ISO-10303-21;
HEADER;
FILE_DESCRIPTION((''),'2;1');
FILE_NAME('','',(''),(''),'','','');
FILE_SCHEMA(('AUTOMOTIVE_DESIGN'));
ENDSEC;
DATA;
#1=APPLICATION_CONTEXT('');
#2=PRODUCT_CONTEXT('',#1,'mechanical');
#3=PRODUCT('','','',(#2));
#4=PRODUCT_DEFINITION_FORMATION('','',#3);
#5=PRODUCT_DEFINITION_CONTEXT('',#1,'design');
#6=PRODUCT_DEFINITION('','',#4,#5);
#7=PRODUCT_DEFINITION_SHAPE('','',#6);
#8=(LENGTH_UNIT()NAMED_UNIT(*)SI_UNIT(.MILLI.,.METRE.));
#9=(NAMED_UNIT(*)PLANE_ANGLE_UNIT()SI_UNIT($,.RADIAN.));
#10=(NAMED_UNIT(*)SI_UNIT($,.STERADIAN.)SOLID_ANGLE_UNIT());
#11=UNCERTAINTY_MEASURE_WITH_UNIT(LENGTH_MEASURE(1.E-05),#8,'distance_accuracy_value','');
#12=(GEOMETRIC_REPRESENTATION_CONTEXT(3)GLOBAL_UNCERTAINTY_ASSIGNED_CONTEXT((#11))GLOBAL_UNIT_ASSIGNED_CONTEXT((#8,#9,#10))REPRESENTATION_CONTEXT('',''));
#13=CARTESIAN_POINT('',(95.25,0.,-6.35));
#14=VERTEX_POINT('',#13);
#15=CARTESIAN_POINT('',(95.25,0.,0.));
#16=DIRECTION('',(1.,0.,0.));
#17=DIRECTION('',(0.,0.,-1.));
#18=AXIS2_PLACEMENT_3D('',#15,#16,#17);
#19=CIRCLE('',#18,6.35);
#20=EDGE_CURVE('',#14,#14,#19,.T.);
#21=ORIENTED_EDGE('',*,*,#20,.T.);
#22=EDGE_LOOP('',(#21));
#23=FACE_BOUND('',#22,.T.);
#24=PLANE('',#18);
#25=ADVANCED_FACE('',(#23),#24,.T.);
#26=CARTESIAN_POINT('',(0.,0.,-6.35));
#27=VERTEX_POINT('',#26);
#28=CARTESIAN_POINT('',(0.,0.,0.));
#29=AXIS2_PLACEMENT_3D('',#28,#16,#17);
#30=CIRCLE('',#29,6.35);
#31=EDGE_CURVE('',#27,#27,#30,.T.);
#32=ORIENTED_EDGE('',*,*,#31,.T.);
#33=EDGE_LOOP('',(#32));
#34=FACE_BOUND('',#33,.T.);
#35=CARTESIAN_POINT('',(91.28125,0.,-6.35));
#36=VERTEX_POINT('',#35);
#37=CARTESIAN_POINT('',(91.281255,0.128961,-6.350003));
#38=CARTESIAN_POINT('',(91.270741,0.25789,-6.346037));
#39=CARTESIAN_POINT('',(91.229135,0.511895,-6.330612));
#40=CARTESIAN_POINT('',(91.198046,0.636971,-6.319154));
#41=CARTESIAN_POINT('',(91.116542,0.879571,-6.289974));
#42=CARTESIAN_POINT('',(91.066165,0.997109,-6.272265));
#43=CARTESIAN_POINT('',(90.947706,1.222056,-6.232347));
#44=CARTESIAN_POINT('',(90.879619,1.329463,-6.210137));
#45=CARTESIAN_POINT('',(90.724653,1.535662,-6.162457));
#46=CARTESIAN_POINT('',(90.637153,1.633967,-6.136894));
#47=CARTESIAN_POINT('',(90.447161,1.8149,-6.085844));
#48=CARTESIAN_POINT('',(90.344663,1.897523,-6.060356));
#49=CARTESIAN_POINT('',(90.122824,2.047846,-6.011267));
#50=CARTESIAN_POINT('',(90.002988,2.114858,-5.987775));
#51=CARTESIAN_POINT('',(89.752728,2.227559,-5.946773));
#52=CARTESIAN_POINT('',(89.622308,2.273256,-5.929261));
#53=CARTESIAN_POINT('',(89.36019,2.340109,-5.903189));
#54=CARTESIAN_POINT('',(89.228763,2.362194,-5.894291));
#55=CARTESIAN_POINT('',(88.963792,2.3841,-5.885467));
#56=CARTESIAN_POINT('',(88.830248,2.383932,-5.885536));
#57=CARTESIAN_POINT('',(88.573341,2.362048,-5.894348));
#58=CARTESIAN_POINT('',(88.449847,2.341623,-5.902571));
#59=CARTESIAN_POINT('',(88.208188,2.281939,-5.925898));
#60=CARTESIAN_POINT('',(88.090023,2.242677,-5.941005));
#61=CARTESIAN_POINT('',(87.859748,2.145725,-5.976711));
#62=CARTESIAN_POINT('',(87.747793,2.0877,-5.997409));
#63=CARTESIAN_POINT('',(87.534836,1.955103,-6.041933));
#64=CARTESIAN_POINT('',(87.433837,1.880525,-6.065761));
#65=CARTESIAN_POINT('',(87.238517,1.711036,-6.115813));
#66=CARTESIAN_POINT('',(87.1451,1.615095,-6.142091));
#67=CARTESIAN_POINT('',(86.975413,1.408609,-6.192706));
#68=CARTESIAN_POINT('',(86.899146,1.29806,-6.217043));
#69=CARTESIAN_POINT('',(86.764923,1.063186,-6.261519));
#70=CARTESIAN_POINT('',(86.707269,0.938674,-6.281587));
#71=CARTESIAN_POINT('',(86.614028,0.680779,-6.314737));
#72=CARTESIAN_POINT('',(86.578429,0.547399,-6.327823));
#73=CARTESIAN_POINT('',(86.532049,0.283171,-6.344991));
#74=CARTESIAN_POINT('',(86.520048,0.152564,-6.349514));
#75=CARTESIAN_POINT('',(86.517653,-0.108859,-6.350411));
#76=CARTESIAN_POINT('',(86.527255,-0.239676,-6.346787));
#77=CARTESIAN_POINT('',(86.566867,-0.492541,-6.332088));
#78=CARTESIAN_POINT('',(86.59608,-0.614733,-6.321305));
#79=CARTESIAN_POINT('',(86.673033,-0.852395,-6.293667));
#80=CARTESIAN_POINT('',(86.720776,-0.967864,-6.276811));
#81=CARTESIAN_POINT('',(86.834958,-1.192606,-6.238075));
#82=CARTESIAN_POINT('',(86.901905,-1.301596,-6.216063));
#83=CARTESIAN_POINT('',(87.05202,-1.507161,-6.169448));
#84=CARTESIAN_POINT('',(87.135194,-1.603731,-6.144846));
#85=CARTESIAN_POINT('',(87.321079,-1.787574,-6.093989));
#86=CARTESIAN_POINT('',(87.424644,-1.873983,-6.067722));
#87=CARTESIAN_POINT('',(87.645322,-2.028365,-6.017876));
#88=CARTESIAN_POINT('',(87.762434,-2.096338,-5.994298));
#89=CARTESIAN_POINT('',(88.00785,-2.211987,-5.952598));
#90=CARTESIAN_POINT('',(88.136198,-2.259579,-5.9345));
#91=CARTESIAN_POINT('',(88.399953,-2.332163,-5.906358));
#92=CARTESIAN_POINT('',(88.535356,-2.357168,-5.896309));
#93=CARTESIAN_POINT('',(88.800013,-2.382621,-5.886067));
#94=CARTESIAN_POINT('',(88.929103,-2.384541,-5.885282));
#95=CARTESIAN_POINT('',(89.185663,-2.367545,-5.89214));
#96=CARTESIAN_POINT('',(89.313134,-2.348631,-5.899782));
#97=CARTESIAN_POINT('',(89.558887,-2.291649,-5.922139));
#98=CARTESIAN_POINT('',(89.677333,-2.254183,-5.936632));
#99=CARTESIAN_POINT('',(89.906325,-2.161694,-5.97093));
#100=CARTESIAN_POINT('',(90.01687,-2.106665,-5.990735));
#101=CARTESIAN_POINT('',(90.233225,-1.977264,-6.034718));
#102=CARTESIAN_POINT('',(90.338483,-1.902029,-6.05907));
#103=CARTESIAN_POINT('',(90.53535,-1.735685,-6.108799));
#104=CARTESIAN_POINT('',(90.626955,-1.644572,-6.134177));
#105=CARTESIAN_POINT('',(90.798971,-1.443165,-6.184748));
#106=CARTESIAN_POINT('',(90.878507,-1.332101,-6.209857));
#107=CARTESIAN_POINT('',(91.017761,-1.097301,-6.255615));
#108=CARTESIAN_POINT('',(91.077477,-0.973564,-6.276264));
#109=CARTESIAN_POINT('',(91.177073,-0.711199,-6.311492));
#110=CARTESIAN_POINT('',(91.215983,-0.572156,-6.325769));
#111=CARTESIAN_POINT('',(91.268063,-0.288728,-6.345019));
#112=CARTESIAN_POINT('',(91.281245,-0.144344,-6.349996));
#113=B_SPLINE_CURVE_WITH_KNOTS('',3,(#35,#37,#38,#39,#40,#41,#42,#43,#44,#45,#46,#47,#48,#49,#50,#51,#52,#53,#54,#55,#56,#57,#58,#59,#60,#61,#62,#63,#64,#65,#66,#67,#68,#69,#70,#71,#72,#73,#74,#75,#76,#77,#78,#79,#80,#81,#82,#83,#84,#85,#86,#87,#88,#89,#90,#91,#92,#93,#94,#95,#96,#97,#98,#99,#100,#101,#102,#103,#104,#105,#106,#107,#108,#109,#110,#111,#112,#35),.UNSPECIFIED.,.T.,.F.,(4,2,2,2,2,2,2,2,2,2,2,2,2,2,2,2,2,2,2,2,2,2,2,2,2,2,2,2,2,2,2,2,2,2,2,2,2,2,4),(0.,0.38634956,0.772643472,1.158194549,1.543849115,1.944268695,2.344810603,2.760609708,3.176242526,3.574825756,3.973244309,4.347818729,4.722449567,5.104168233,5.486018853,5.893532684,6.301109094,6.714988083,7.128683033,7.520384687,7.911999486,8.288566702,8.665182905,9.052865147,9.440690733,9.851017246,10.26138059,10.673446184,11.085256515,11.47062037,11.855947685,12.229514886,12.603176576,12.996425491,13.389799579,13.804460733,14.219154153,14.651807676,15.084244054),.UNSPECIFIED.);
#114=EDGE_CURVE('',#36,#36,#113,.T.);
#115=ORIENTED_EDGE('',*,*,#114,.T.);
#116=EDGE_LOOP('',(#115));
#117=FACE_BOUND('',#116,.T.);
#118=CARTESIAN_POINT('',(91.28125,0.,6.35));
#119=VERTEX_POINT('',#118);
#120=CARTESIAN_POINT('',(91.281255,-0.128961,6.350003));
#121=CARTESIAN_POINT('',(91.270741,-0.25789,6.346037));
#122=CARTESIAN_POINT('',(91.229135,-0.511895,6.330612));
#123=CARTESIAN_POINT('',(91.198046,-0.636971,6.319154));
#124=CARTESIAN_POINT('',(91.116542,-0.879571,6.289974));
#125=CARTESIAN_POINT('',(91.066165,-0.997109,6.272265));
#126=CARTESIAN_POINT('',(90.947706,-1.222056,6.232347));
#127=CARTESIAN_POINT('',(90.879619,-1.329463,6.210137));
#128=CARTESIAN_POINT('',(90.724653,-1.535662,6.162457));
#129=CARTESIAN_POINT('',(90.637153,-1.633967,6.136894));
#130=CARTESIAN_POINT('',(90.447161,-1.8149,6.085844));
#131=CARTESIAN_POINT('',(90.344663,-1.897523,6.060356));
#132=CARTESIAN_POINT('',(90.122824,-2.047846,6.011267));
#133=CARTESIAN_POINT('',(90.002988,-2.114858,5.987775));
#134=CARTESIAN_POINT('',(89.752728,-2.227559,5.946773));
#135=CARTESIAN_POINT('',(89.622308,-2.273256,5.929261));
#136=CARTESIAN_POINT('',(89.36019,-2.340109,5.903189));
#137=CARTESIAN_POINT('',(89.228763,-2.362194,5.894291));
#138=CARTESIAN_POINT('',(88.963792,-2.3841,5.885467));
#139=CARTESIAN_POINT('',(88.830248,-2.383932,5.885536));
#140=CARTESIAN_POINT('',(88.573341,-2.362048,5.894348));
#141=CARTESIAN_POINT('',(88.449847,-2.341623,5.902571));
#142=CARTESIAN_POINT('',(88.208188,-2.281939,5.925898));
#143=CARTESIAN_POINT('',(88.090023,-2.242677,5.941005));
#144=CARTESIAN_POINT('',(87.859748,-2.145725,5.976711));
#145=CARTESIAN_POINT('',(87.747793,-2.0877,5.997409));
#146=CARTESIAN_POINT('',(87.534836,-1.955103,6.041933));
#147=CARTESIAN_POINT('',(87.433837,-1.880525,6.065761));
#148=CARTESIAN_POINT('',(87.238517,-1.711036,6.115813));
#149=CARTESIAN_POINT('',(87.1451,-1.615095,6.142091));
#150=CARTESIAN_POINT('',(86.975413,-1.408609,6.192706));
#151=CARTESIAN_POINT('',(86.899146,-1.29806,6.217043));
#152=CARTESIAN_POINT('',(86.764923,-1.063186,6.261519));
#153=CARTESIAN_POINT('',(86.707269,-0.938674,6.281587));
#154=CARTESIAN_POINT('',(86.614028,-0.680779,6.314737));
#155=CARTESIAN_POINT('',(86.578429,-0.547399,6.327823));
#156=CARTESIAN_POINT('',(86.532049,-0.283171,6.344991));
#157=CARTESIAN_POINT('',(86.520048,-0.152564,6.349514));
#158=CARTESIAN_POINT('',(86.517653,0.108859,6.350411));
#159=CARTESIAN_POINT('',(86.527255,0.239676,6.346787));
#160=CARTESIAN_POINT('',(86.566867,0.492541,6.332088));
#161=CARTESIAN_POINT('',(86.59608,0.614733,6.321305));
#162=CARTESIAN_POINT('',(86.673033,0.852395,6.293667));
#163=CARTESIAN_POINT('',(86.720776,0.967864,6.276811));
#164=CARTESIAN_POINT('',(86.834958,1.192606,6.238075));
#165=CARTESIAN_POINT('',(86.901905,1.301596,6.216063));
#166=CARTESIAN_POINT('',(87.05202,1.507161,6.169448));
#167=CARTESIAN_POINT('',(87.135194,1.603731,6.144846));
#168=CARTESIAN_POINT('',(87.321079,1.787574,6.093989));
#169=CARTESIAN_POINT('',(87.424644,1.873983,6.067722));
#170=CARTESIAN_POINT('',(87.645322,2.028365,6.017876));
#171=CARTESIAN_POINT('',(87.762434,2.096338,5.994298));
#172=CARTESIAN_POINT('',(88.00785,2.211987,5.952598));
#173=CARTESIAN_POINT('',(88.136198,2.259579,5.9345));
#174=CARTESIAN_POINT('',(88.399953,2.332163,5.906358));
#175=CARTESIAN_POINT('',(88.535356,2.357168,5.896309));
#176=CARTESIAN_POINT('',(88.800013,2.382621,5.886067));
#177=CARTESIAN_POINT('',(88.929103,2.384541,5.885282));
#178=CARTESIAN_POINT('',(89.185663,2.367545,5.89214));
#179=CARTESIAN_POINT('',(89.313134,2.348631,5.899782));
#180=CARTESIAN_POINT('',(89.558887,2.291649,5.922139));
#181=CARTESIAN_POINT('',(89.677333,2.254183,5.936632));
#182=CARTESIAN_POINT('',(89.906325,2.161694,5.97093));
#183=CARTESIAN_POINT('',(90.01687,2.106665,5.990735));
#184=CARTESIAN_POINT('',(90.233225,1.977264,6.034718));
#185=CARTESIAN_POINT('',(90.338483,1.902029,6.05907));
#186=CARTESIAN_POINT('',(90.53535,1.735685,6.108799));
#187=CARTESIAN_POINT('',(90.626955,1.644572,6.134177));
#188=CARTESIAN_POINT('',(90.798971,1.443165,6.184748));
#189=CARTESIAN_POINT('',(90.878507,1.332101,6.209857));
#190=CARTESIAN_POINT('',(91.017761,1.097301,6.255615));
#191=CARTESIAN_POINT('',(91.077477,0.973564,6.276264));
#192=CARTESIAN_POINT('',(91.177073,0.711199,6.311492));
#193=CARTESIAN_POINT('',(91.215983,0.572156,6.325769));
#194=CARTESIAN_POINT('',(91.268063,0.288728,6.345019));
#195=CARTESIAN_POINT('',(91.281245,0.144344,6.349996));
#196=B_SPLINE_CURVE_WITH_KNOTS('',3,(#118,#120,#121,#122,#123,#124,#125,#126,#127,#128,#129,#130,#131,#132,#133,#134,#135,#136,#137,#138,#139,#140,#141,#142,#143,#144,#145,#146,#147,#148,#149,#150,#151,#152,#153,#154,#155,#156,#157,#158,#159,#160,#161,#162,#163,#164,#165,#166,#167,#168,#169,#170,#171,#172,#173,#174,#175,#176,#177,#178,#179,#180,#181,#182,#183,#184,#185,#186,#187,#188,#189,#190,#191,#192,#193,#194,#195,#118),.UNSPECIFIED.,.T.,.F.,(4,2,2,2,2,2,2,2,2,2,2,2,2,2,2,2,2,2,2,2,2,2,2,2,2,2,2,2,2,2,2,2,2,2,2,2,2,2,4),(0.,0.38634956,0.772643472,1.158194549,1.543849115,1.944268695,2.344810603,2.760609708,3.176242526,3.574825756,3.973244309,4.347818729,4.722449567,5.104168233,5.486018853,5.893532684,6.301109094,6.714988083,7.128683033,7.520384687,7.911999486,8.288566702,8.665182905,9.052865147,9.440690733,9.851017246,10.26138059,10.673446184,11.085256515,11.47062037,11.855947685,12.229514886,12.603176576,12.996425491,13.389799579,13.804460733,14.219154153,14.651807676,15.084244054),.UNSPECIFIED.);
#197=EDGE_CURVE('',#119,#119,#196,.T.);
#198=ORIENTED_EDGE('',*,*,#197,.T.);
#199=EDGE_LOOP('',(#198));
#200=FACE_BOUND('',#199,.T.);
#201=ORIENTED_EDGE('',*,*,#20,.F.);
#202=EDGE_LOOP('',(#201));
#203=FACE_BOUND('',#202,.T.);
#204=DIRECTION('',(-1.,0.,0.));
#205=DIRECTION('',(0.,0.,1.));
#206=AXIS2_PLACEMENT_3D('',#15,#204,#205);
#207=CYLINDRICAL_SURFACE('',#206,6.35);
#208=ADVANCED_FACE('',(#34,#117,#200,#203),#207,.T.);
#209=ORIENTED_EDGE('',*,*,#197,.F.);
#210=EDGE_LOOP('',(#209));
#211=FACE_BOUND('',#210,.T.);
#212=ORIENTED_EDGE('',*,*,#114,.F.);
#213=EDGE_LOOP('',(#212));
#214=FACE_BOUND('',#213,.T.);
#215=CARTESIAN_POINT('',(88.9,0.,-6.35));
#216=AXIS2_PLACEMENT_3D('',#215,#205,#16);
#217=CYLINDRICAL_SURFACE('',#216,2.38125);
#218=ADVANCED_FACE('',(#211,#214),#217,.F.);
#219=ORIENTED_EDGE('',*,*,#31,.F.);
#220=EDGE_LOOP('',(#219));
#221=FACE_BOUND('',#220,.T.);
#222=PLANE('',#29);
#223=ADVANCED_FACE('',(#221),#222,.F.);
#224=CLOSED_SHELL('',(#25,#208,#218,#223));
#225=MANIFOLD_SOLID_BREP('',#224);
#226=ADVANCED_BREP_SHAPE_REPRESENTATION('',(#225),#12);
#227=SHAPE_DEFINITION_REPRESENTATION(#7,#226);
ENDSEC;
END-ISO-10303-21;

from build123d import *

# Parameters (mm, degrees)
SKETCH1_R               = 6.35
BASE_EXTRUDE_DEPTH      = 95.25
SKETCH2_R               = 2.38125
CUT_EXTRUDE1_DEPTH      = 7.35
CUT_EXTRUDE1_DEPTH_BACK = 7.35


with BuildPart() as part:
    # Sketch1 → Base-Extrude (new body)
    with BuildSketch(Plane(origin=(0, 0, 0), x_dir=(0, 0, -1), z_dir=(1, 0, 0))):
        Circle(SKETCH1_R)
    extrude(amount=BASE_EXTRUDE_DEPTH)

    # Sketch2 → Cut-Extrude1 (cut, two sides)
    with BuildSketch(Plane.XY) as cut_extrude1_sk:
        with Locations((88.9, 0)):
            Circle(SKETCH2_R)
    extrude(amount=CUT_EXTRUDE1_DEPTH, mode=Mode.SUBTRACT)
    extrude(cut_extrude1_sk.sketch, amount=-CUT_EXTRUDE1_DEPTH_BACK, mode=Mode.SUBTRACT)


solid = part.part
